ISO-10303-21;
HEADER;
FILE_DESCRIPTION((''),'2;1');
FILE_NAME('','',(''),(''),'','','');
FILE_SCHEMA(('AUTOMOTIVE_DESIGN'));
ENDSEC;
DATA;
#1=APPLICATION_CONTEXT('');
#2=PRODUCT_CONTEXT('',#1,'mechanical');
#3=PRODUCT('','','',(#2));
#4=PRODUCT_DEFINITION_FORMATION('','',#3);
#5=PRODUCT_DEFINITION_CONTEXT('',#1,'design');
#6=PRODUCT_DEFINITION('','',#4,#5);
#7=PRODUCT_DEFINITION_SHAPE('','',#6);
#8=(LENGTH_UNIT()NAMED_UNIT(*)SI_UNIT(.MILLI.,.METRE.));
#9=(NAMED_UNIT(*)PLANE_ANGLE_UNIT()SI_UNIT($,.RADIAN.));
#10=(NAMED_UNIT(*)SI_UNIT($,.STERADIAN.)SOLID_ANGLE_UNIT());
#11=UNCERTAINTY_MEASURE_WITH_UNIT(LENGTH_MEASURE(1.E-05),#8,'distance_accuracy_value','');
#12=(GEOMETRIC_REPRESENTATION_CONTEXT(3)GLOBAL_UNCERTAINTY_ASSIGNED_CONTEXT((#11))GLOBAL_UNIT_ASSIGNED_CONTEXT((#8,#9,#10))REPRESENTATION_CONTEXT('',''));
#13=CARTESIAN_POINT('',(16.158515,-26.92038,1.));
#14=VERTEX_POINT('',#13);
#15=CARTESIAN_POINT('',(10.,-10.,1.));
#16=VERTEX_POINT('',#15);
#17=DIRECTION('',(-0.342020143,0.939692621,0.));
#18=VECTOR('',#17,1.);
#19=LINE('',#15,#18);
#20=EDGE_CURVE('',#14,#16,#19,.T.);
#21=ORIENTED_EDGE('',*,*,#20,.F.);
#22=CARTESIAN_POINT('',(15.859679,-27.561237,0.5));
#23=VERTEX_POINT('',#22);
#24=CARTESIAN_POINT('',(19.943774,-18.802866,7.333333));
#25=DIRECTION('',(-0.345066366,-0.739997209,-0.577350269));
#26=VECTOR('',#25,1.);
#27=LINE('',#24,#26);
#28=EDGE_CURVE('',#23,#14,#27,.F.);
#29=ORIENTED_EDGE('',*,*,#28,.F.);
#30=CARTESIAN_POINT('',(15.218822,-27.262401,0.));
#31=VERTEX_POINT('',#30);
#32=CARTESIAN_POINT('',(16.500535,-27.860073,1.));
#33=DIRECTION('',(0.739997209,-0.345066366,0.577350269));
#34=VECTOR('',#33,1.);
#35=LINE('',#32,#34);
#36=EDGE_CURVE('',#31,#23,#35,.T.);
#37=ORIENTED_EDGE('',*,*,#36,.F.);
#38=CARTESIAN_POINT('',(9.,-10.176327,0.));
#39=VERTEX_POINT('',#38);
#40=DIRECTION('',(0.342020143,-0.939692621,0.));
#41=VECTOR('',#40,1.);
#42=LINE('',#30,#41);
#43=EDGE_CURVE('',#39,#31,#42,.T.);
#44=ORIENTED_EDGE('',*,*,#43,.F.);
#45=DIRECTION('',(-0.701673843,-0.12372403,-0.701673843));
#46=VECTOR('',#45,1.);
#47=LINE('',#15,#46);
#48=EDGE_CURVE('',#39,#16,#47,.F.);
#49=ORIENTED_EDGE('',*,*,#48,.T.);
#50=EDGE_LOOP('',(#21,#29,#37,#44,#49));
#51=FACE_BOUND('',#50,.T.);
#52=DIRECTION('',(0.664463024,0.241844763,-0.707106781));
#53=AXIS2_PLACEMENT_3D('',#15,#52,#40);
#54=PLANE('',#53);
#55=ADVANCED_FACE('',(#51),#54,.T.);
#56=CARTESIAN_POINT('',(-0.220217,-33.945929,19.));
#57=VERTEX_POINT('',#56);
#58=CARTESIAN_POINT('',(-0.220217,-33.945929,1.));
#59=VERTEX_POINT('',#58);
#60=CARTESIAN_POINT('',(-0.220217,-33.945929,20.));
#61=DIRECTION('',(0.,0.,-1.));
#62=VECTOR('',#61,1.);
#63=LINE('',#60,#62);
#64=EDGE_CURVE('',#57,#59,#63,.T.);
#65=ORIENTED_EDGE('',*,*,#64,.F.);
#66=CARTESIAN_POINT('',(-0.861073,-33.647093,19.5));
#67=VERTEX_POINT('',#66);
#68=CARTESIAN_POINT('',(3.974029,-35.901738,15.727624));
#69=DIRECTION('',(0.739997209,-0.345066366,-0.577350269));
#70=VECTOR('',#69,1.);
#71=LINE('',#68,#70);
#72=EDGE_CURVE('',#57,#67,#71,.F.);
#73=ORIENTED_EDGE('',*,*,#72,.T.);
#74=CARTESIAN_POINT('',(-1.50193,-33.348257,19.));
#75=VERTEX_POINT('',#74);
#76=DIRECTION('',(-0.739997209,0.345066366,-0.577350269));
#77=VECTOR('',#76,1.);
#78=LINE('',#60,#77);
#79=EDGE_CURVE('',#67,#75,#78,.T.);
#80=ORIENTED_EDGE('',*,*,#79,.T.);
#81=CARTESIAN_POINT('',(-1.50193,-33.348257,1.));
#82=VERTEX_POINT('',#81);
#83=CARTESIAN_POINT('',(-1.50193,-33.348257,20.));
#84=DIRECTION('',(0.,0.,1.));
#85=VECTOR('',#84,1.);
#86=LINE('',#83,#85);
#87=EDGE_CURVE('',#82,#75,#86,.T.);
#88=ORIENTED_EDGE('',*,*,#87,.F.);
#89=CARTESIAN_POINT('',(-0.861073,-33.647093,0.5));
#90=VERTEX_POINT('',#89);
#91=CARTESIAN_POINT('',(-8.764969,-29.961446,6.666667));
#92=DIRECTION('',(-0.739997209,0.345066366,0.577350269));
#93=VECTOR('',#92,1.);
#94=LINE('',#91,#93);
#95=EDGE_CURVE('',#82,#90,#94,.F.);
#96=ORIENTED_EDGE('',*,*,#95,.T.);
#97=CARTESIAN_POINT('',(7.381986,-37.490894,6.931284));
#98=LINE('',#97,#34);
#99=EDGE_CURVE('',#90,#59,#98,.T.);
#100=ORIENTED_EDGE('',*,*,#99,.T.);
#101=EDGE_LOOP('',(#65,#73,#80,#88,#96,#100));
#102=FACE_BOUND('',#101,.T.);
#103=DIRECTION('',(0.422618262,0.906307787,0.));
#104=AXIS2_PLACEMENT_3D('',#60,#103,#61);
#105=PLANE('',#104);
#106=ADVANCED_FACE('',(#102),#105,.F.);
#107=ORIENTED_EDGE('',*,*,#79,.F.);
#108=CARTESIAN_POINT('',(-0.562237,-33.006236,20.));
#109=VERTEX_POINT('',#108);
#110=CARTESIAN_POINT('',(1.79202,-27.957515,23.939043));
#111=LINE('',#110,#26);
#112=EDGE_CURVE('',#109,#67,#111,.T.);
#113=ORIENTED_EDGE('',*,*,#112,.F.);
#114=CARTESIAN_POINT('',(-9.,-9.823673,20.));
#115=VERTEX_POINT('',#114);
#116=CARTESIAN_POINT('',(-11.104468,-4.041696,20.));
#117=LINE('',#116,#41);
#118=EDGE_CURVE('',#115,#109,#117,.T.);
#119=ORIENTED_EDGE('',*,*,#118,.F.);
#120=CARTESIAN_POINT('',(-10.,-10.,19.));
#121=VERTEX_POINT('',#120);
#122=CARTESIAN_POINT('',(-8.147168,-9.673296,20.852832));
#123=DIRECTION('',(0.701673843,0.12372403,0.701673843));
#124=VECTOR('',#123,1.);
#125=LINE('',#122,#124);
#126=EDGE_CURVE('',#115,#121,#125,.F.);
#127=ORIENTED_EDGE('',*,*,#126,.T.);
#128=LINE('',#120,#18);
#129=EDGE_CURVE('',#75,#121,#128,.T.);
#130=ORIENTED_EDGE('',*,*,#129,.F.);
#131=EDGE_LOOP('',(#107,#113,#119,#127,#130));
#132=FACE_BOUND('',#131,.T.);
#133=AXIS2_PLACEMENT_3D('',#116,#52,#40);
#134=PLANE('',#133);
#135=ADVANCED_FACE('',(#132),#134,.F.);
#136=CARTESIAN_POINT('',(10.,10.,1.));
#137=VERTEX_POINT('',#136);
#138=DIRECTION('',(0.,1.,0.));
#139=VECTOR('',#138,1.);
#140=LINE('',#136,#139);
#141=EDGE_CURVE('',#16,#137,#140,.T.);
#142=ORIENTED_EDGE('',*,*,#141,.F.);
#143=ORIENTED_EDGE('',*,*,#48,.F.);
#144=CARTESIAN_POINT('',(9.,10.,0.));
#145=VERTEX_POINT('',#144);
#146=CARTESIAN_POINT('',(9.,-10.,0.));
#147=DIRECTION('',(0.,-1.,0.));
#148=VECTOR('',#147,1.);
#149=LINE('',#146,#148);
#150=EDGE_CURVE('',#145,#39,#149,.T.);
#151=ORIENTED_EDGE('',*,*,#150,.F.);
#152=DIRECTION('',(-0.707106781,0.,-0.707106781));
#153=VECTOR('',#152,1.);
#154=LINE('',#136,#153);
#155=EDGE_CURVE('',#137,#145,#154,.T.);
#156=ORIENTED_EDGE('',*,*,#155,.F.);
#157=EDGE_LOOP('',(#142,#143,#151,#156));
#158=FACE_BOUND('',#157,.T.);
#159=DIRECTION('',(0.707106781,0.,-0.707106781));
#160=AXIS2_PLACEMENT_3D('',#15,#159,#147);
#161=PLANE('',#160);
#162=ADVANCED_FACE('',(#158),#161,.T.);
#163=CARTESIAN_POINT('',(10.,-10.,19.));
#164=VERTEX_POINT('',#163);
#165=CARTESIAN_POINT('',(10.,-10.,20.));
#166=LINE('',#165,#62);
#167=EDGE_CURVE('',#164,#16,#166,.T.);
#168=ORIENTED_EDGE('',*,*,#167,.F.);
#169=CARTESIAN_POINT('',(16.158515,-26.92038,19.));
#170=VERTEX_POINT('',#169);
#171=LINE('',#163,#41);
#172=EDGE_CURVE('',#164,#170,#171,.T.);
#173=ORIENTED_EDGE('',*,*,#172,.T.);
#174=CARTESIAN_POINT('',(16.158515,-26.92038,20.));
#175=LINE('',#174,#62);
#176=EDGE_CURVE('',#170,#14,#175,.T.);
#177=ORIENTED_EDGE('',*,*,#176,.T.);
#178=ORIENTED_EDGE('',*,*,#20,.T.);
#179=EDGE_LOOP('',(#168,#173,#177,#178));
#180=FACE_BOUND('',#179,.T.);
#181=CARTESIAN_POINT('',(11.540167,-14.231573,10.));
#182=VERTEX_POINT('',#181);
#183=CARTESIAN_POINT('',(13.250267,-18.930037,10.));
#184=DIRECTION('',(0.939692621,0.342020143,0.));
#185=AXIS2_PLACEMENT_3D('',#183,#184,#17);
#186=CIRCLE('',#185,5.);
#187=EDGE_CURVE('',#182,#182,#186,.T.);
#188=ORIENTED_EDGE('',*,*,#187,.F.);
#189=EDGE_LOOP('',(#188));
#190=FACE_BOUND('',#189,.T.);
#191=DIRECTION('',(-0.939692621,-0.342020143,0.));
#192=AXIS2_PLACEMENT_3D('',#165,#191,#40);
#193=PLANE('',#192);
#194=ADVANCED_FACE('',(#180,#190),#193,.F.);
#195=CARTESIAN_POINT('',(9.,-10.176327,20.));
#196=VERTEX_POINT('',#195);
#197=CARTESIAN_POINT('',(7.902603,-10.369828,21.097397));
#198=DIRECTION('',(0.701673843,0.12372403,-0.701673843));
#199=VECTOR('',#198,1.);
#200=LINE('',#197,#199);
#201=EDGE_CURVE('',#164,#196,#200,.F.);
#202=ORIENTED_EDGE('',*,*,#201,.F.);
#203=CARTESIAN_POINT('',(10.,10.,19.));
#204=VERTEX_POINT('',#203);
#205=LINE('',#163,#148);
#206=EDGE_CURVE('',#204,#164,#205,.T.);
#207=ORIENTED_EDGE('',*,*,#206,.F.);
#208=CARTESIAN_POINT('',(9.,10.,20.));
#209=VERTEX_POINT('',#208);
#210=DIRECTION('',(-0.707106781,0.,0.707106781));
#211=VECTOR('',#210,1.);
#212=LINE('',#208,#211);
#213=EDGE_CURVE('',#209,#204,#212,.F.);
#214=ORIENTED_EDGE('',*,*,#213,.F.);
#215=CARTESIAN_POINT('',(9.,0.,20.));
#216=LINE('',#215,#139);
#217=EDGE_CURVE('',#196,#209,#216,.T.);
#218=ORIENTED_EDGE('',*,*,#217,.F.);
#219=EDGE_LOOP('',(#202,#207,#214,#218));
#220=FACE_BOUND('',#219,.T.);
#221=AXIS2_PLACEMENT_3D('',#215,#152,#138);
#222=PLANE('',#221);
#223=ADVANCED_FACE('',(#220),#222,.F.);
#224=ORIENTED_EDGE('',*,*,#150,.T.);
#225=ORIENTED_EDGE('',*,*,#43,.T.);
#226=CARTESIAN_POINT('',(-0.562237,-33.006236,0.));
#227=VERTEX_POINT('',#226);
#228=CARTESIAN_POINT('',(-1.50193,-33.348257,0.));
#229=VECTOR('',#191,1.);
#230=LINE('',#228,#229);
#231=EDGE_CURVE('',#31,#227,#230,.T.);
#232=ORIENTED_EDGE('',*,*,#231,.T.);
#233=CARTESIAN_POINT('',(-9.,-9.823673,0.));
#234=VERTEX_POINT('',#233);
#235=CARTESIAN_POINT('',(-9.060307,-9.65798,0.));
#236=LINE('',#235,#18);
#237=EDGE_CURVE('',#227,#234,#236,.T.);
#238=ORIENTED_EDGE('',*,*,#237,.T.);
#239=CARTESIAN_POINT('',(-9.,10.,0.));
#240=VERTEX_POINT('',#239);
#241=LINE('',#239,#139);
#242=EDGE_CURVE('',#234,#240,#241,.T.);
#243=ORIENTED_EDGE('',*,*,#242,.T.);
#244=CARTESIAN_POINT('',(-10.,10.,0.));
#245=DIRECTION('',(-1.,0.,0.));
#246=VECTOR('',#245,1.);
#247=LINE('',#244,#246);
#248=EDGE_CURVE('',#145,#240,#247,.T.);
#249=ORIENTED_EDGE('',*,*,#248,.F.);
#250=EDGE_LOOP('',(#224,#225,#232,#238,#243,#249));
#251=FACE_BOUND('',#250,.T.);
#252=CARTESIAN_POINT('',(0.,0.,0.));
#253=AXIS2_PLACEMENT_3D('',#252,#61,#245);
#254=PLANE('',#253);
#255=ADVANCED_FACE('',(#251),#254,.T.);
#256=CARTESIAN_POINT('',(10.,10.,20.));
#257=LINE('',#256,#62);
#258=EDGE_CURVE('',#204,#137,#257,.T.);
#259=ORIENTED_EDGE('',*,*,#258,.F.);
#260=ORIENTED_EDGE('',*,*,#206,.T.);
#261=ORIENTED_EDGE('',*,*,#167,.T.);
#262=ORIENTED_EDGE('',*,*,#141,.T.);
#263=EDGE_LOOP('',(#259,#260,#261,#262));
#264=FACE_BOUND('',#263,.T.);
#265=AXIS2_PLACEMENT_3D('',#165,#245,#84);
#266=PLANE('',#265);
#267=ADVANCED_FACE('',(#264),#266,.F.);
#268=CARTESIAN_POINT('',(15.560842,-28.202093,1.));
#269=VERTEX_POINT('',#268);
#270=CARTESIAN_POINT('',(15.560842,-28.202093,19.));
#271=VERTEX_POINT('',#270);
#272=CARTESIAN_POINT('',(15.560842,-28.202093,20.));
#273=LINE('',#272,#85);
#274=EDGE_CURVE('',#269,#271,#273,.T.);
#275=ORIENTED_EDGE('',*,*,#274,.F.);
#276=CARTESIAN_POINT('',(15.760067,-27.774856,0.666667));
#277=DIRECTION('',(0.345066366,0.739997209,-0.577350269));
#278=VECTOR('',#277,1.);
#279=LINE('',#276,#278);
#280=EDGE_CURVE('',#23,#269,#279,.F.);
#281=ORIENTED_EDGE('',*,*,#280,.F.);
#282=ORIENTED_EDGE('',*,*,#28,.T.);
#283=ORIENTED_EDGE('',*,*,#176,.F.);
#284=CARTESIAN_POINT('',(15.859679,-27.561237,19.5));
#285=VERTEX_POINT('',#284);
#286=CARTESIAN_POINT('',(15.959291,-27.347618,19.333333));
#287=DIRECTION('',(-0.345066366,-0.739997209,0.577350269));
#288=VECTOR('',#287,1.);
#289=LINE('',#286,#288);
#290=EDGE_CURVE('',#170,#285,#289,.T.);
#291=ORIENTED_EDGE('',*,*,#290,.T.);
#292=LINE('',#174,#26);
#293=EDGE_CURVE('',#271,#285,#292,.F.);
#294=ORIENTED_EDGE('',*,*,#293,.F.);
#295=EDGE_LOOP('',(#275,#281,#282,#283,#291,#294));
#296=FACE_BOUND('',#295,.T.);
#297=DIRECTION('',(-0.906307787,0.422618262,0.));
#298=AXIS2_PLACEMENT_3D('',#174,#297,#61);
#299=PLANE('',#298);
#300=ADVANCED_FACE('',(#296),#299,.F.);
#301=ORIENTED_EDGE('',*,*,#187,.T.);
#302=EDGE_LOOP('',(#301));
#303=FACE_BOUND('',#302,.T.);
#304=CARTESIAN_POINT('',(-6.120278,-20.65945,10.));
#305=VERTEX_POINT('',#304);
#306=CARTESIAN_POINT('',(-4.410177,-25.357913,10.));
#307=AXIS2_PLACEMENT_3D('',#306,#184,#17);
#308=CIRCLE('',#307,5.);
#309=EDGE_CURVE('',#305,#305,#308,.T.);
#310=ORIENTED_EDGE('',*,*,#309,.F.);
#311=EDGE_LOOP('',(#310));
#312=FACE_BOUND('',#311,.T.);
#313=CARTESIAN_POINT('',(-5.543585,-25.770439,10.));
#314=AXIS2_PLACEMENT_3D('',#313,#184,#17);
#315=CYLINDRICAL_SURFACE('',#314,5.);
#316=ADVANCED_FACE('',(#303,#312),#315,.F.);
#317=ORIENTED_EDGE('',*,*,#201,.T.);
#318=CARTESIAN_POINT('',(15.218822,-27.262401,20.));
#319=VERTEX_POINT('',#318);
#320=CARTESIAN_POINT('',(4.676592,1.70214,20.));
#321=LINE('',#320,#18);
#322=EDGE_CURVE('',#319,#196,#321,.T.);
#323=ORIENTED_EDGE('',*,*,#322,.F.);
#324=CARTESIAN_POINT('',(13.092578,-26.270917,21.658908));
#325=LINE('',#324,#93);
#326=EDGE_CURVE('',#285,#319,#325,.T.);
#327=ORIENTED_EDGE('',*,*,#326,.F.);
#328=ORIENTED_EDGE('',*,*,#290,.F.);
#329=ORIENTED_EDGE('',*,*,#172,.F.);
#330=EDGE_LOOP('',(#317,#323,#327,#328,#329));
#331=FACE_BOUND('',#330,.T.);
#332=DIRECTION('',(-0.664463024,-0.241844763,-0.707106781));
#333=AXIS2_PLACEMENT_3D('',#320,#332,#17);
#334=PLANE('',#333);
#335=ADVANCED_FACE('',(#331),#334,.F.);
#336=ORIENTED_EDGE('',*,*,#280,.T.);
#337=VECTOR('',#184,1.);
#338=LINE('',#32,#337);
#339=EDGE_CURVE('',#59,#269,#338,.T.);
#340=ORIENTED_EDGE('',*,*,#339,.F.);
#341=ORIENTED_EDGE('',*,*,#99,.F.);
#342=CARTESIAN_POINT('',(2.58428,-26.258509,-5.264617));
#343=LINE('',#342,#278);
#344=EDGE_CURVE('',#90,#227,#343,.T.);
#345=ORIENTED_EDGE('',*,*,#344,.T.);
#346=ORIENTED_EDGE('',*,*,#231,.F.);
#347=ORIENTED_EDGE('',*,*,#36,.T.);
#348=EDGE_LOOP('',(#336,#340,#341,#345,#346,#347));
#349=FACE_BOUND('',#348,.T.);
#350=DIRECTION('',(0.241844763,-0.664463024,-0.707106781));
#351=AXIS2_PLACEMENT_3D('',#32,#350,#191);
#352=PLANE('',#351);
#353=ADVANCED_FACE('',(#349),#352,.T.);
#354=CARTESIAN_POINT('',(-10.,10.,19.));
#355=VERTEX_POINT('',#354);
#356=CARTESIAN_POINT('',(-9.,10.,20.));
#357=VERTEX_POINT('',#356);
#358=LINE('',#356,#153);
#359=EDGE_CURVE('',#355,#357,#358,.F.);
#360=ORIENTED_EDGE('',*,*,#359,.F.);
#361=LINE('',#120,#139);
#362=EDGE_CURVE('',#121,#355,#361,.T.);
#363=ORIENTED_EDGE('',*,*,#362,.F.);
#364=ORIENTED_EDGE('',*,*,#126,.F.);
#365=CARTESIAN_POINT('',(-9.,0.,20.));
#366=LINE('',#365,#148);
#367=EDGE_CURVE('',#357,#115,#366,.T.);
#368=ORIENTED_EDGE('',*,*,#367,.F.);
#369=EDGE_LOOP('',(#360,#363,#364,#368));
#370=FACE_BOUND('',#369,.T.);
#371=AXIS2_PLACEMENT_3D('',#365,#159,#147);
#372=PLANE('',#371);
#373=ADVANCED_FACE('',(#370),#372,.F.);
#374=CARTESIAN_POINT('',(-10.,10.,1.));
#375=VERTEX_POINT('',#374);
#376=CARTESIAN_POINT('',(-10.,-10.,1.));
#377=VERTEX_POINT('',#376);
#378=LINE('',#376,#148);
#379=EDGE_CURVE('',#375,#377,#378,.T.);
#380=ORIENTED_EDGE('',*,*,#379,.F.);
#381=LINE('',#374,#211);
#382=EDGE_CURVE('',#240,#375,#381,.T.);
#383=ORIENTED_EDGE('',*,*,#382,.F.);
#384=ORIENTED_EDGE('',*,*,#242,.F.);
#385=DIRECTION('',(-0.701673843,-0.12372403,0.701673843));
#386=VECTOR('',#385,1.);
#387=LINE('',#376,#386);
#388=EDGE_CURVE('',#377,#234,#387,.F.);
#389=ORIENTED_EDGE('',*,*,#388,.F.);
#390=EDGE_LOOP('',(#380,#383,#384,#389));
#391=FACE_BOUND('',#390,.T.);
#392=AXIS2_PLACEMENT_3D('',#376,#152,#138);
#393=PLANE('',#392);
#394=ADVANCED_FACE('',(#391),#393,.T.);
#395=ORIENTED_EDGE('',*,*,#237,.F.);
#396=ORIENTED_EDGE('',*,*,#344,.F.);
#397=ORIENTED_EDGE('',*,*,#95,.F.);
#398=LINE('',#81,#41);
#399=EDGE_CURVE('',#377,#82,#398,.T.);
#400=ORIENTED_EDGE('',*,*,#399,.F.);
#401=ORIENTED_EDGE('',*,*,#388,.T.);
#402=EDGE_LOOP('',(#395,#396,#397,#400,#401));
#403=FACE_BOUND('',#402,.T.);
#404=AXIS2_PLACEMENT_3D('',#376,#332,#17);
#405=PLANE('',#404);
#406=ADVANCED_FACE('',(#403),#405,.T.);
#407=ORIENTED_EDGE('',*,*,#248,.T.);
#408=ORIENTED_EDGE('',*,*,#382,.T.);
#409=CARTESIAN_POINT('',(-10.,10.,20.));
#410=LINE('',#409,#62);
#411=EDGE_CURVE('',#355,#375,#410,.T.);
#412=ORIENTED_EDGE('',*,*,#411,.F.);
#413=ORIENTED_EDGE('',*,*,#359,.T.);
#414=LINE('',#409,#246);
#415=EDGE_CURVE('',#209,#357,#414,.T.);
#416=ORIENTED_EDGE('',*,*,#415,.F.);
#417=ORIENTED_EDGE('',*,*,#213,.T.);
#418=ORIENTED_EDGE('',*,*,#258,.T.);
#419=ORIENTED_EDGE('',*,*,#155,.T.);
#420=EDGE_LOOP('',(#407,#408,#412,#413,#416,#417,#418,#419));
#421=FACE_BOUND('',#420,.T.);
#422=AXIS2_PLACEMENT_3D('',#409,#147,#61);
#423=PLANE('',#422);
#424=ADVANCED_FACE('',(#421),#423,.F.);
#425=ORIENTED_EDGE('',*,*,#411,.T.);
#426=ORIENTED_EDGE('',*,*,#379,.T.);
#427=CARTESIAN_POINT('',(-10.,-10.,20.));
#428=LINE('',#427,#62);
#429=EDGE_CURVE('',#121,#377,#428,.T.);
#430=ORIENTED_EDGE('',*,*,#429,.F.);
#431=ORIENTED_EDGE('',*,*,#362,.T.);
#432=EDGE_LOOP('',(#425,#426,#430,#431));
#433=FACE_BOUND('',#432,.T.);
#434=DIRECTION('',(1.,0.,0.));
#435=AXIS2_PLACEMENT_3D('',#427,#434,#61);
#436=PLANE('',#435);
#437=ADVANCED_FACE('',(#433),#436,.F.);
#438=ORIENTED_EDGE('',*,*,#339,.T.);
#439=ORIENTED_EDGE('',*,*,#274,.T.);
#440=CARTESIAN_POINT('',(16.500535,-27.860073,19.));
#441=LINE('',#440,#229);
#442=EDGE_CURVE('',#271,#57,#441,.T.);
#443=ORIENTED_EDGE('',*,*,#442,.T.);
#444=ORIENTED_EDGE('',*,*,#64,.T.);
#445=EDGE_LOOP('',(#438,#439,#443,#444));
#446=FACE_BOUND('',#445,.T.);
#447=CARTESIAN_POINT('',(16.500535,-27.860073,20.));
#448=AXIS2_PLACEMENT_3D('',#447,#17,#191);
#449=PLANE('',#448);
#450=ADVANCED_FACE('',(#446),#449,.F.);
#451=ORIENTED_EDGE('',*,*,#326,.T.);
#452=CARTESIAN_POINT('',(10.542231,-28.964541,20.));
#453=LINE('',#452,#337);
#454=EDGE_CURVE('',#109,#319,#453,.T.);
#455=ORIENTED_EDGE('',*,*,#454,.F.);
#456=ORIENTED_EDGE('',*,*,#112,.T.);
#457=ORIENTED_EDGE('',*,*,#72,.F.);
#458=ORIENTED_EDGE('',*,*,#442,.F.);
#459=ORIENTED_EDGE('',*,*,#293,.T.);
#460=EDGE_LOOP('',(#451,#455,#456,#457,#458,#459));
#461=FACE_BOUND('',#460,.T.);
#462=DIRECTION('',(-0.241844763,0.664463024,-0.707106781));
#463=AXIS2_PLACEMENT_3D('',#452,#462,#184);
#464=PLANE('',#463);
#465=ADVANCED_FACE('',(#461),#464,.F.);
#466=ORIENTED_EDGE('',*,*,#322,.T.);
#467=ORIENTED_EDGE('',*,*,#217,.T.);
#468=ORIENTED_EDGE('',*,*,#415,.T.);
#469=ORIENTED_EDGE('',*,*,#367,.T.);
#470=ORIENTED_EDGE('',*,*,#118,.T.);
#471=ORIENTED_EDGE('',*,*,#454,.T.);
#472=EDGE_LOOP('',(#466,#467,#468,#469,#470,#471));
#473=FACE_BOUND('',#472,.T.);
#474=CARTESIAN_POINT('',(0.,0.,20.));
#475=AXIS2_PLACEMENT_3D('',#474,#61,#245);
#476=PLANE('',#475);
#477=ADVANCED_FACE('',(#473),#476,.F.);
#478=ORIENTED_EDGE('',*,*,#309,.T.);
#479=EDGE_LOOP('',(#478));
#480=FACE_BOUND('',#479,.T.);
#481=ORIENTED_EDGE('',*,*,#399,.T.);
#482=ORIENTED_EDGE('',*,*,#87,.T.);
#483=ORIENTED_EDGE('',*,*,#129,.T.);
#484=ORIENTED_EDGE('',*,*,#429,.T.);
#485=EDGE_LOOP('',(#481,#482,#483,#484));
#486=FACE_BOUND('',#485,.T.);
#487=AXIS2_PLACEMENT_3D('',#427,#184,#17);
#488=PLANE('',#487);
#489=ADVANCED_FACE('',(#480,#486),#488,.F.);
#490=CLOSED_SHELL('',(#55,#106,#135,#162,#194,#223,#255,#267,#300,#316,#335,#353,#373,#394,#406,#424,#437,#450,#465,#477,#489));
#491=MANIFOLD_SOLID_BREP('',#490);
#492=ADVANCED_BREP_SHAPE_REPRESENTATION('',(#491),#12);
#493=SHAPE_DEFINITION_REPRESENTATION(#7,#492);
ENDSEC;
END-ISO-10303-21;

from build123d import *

# Parameters (mm, degrees)
EXTRUDE_1_DEPTH     = 20
SKETCH_2_R          = 5
CUT_EXTRUDE_1_DEPTH = 20
CHAMFER_1_SIZE      = 1
CHAMFER_2_SIZE      = 1


with BuildPart() as part:
    # 草图1 → 凸台-拉伸1 (new body)
    with BuildSketch(Plane.XY):
        Polygon((10, -10), (16.500534984, -27.860073083), (-1.159909447, -34.28794918), (-10, -10), (-10, 10), (10, 10), align=None)
    extrude(amount=EXTRUDE_1_DEPTH)

    # 草图2 → 切除-拉伸1 (cut)
    with BuildSketch(Plane(origin=(5.616284167, 2.044160264, 0), x_dir=(0, 0, -1), z_dir=(0.9396926207859104, 0.34202014332566316, 0))):
        with Locations(Location((-10, -22.320274036, 0), (0, 0, 90))):
            Circle(SKETCH_2_R)
    extrude(amount=-CUT_EXTRUDE_1_DEPTH, mode=Mode.SUBTRACT)

    # 倒角1
    chamfer_1_edges = [part.edges().sort_by_distance(p)[0] for p in [
        (16.500534984, -27.860073083, 10),
        (-1.159909447, -34.28794918, 10),
        (7.670312768, -31.074011132, 20),
        (7.670312768, -31.074011132, 0),
    ]]
    chamfer(chamfer_1_edges, length=CHAMFER_1_SIZE)

    # 倒角2
    chamfer_2_edges = [part.edges().sort_by_distance(p)[0] for p in [
        (-10, 0, 20),
        (-5.750964795, -21.67412828, 20),
        (13.07925742, -18.460190231, 20),
        (13.07925742, -18.460190231, 0),
        (10, 0, 20),
        (-5.750964795, -21.67412828, 0),
        (-10, 0, 0),
        (10, 0, 0),
    ]]
    chamfer(chamfer_2_edges, length=CHAMFER_2_SIZE)


solid = part.part
